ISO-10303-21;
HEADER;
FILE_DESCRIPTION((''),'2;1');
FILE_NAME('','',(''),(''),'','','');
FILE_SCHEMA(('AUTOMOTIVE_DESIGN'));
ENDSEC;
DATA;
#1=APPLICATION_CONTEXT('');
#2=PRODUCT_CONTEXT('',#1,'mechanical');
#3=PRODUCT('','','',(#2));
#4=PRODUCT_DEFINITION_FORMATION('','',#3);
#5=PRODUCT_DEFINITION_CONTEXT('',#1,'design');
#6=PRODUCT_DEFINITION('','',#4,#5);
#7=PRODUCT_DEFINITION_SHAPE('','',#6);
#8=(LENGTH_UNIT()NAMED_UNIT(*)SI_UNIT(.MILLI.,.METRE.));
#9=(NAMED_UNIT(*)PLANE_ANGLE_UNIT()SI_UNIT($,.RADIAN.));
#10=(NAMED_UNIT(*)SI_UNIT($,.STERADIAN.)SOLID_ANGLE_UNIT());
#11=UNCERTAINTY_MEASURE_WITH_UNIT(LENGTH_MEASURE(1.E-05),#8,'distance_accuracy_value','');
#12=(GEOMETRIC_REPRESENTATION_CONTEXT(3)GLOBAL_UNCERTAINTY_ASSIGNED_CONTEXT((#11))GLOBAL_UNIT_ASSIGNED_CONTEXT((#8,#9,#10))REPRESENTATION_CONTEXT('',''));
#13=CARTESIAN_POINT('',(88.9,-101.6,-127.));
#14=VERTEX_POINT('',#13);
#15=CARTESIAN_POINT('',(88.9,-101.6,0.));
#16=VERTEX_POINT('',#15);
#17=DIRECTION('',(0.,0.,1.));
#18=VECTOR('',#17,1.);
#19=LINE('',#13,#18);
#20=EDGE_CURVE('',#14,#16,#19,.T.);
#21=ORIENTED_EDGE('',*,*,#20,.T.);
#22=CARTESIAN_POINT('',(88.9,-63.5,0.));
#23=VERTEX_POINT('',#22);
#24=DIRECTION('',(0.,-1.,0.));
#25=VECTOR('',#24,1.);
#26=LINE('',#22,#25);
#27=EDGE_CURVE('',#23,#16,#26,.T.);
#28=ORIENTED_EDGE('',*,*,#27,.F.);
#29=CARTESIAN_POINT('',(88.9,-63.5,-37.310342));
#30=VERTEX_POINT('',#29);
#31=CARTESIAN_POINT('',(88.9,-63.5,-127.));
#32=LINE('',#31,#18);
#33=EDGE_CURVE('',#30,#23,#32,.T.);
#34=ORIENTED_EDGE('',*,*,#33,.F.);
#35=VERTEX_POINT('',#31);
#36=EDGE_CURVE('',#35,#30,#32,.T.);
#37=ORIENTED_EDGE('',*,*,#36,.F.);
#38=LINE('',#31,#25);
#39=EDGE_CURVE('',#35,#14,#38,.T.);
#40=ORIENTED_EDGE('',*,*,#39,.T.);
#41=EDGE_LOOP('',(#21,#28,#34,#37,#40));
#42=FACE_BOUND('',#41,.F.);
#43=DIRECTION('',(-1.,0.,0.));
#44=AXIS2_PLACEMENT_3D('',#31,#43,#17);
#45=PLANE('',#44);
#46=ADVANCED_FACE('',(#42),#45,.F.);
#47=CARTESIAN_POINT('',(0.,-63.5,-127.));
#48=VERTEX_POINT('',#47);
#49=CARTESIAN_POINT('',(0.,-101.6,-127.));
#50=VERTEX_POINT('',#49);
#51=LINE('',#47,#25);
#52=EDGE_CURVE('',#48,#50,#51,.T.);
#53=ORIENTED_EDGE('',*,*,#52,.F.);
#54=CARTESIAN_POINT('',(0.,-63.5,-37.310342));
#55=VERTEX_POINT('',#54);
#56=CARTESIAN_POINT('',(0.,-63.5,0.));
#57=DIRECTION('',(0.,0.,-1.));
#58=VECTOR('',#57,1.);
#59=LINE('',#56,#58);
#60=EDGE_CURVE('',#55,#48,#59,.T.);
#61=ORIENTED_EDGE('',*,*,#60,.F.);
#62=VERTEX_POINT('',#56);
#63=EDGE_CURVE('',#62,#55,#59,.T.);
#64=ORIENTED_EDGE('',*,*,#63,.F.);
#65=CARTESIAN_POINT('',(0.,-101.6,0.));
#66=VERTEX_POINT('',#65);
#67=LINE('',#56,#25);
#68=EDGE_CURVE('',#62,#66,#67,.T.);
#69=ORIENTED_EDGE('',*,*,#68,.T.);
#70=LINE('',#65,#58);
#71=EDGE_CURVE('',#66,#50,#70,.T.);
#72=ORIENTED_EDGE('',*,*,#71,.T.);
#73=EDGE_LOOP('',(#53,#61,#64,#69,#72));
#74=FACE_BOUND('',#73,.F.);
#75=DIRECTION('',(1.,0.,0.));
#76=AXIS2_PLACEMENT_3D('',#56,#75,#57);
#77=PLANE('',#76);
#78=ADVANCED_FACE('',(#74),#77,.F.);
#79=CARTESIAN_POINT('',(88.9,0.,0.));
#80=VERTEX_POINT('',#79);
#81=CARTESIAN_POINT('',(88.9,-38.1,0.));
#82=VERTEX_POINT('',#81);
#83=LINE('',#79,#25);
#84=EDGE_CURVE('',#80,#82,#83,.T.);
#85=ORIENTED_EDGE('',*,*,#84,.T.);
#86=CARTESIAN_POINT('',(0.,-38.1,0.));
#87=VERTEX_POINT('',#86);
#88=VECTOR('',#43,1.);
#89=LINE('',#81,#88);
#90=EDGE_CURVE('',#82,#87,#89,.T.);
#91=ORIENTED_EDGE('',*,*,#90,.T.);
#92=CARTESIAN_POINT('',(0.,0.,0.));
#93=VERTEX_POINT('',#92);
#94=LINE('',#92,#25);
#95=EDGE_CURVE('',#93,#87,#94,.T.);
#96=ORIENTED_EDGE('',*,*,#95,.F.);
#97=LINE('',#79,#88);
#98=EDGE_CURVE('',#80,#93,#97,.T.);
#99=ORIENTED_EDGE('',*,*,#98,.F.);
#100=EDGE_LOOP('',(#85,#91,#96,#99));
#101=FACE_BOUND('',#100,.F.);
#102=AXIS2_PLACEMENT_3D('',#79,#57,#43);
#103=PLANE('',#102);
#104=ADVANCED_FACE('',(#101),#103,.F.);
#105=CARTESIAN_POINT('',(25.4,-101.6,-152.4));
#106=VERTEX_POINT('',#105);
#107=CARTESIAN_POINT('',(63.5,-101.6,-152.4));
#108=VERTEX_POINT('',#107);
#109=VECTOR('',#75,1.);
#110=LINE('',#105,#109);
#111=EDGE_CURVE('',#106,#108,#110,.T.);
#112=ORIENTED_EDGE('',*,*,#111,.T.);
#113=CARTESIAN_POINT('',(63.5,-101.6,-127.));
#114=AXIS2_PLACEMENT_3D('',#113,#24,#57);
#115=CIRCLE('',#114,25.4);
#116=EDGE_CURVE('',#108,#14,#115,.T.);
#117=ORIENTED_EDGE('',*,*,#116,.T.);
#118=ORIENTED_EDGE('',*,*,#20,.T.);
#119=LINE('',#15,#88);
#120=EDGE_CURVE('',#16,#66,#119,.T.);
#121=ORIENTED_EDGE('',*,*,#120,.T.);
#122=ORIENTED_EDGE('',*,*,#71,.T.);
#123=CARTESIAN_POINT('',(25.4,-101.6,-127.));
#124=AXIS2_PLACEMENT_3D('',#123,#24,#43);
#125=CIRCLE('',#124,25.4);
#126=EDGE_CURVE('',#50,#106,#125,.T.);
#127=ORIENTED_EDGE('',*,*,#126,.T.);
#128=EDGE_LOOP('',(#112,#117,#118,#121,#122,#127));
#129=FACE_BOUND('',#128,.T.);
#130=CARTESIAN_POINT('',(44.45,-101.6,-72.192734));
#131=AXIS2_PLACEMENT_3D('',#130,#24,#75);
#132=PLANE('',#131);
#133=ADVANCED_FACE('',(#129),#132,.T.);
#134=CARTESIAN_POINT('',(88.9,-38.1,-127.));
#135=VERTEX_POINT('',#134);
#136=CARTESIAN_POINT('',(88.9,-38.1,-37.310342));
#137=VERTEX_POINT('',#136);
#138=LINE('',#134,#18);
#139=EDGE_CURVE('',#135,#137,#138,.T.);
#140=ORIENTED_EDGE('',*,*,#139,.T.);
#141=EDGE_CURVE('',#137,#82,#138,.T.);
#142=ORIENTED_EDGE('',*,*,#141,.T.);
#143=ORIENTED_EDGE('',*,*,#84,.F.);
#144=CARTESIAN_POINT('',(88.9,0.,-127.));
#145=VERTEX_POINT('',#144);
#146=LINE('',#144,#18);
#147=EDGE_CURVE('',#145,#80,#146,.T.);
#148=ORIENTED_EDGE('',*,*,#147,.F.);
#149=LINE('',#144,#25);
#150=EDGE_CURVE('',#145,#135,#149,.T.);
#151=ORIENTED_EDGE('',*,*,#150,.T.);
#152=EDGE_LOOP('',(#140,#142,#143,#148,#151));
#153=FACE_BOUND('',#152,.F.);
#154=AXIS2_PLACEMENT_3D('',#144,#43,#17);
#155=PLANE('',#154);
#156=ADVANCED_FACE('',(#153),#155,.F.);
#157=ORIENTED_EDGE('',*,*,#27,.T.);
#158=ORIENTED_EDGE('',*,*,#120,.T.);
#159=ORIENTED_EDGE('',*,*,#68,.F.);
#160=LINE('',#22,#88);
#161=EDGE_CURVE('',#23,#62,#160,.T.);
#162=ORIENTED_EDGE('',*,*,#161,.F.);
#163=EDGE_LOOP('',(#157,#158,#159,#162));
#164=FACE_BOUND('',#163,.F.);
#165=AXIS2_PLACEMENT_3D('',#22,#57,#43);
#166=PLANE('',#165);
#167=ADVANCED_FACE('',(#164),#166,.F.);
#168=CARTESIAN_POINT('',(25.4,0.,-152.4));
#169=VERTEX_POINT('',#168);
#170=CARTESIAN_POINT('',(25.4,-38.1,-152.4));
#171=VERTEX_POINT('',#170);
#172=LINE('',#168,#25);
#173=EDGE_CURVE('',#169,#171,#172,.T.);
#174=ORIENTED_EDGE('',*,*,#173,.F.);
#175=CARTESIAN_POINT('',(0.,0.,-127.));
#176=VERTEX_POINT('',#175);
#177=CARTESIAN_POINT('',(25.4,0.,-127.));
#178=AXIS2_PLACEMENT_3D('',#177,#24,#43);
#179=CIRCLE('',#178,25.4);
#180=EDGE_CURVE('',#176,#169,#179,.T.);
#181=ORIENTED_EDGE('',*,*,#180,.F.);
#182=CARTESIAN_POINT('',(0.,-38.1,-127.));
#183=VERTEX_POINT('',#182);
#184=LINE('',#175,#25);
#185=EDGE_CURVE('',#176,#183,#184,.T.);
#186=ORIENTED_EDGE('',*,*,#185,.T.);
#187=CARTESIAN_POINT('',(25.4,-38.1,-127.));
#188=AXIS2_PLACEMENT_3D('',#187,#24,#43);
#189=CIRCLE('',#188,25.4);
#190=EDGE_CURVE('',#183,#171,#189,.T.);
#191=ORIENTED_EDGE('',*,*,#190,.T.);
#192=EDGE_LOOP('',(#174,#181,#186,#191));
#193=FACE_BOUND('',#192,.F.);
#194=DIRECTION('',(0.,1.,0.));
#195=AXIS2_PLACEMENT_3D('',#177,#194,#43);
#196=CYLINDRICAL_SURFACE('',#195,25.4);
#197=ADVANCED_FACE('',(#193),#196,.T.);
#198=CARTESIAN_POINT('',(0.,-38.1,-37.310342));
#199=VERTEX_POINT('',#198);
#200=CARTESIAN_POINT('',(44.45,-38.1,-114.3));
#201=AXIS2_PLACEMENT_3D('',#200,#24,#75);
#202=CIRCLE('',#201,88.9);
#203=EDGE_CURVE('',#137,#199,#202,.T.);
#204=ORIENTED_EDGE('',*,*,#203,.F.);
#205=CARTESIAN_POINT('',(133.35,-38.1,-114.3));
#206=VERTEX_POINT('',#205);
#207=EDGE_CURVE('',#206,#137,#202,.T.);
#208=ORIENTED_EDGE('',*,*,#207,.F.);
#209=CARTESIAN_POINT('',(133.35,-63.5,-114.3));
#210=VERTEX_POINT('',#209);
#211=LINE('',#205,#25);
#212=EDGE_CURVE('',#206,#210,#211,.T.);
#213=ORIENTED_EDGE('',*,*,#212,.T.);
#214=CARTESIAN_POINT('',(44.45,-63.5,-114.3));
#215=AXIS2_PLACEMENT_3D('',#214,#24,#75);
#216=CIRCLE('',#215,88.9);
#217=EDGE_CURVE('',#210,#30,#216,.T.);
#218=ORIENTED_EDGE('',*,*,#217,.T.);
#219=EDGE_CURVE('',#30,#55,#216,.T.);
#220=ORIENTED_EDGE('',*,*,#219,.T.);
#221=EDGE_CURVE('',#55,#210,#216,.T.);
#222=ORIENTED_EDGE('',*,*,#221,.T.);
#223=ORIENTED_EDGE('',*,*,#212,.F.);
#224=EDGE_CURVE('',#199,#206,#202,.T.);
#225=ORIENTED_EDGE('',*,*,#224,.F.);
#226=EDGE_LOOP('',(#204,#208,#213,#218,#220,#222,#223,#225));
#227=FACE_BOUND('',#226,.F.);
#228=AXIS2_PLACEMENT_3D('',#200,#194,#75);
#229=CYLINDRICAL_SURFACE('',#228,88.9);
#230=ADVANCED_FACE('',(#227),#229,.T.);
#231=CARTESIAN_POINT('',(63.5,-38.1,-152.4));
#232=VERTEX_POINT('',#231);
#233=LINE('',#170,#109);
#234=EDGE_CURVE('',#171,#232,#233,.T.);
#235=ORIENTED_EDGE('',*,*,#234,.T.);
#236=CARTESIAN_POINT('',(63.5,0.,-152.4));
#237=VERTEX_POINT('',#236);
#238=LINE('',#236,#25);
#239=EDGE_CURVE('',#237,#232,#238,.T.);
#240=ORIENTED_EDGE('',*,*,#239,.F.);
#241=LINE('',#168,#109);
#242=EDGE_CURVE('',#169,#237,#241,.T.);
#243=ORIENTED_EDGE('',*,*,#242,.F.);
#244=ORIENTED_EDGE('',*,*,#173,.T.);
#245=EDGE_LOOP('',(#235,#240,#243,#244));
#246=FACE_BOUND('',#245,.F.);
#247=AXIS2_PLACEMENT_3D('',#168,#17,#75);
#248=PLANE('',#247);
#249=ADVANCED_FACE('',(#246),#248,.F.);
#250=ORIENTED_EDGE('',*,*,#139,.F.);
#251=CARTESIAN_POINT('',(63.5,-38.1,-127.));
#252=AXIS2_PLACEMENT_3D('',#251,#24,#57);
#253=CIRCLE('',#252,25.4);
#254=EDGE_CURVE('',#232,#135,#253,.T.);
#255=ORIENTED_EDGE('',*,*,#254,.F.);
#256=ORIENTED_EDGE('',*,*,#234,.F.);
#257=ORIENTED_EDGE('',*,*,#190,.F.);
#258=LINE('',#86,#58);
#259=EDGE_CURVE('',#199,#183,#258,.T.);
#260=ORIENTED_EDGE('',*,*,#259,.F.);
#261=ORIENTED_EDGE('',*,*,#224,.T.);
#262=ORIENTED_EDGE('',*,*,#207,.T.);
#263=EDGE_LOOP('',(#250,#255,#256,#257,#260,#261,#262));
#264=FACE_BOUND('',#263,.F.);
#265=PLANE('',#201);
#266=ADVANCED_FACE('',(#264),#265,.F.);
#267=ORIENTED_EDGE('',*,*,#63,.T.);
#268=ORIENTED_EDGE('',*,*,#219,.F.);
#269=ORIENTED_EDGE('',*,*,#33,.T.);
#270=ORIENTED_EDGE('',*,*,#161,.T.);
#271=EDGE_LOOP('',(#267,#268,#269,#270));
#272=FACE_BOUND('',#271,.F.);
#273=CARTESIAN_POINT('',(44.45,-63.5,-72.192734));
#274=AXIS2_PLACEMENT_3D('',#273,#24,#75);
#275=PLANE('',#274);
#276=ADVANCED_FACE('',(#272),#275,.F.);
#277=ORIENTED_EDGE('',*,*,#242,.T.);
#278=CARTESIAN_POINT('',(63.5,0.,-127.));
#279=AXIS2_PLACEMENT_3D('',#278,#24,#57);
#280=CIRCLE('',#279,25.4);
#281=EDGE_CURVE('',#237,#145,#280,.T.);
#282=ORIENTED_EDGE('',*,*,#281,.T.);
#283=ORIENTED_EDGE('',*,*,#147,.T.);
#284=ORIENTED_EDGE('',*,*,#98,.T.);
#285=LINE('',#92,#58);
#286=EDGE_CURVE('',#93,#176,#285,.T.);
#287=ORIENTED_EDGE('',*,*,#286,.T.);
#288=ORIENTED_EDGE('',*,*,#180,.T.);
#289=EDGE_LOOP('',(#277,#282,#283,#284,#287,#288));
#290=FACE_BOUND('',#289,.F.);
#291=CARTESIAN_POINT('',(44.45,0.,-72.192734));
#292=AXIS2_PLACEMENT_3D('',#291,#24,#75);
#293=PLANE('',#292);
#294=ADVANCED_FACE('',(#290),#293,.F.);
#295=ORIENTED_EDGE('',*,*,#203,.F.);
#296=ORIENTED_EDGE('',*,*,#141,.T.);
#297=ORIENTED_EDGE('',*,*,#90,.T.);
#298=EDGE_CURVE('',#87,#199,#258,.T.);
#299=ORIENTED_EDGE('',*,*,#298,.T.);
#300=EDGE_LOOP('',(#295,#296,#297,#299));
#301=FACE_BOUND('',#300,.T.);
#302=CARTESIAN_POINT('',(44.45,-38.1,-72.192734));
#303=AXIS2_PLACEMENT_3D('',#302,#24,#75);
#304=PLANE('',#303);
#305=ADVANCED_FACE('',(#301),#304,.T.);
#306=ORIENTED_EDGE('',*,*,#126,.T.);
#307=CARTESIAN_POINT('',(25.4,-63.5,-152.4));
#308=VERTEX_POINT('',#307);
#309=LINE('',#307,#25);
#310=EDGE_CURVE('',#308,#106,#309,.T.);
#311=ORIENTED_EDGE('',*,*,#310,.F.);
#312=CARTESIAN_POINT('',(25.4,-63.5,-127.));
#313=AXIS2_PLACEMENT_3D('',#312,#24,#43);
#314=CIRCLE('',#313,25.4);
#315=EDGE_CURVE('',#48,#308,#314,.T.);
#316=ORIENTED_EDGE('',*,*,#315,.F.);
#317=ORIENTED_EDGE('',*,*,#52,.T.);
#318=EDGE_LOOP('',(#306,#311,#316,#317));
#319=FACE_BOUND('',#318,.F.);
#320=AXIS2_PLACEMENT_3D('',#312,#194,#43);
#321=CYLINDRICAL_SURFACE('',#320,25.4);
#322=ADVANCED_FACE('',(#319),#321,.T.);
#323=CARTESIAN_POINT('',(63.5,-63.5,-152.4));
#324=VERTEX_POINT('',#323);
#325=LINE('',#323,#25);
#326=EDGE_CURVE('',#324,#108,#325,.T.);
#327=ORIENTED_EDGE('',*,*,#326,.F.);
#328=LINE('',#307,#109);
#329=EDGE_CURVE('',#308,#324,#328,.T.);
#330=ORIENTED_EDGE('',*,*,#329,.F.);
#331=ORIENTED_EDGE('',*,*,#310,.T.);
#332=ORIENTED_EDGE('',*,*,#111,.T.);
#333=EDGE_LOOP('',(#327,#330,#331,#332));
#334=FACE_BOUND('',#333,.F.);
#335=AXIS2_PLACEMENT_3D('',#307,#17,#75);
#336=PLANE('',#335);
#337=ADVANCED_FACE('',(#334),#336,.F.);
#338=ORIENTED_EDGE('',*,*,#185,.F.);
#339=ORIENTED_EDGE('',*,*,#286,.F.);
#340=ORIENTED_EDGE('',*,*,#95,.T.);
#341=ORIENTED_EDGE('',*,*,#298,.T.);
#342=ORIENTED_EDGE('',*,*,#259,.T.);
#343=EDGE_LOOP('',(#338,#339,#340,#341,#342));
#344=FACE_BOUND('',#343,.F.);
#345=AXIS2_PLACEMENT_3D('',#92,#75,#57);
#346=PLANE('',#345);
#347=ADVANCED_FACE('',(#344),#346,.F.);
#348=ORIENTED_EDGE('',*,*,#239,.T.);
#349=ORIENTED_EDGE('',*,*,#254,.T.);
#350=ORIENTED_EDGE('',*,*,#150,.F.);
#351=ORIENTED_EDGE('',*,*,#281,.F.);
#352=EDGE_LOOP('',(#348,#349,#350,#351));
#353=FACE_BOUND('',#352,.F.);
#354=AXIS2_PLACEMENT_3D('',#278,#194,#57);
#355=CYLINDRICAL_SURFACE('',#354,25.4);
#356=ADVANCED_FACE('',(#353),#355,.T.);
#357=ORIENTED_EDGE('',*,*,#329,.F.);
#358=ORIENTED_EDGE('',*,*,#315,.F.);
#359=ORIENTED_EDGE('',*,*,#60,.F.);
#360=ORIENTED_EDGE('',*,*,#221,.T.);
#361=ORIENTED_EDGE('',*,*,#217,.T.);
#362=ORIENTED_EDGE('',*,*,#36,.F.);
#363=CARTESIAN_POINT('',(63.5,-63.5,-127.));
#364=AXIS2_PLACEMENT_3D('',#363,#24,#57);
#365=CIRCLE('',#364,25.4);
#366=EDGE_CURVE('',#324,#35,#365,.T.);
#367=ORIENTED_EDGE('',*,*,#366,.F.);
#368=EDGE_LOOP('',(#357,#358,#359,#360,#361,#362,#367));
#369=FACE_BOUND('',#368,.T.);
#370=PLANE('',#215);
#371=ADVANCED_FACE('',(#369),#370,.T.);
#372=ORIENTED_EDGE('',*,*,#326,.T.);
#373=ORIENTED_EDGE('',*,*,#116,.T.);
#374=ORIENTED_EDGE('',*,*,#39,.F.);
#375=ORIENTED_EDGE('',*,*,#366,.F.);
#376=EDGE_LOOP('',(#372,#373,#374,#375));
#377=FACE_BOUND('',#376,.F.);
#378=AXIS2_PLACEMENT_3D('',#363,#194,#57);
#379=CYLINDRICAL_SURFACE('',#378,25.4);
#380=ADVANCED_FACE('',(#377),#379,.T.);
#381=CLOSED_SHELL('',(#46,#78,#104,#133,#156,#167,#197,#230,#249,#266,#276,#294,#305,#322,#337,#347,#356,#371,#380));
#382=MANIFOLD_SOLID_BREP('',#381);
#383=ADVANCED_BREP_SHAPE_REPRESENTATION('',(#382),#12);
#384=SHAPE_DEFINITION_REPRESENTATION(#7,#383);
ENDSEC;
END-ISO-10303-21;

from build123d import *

# Parameters (mm, degrees)
F1_DEPTH = 38.1
F2_R     = 88.9
F3_DEPTH = 25.4
F5_DEPTH = 38.1


with BuildPart() as f1:
    # F0 (on Front) → F1 (new body)
    with BuildSketch(Plane.XZ):
        with BuildLine():
            Line((88.9, 0), (0, 0))
            Line((0, 0), (0, -127))
            ThreePointArc((0, -127), (7.4394877579, -144.9605122421), (25.4, -152.4))
            Line((25.4, -152.4), (63.5, -152.4))
            ThreePointArc((63.5, -152.4), (81.4605122421, -144.9605122421), (88.9, -127))
            Line((88.9, -127), (88.9, 0))
        make_face()
    extrude(amount=F1_DEPTH)

    # F2 (on face) → F3 (join)
    with BuildSketch(Plane.XZ.offset(38.1)):
        with Locations((44.45, -114.3)):
            Circle(F2_R)
    extrude(amount=F3_DEPTH)

    # F4 (on face) → F5 (join)
    with BuildSketch(Plane.XZ.offset(63.5)):
        with BuildLine():
            Line((88.9, 0), (0, 0))
            Line((0, 0), (0, -127))
            ThreePointArc((0, -127), (7.4394877579, -144.9605122421), (25.4, -152.4))
            Line((25.4, -152.4), (63.5, -152.4))
            ThreePointArc((63.5, -152.4), (81.4605122421, -144.9605122421), (88.9, -127))
            Line((88.9, -127), (88.9, 0))
        make_face()
    extrude(amount=F5_DEPTH)


solid = f1.part
